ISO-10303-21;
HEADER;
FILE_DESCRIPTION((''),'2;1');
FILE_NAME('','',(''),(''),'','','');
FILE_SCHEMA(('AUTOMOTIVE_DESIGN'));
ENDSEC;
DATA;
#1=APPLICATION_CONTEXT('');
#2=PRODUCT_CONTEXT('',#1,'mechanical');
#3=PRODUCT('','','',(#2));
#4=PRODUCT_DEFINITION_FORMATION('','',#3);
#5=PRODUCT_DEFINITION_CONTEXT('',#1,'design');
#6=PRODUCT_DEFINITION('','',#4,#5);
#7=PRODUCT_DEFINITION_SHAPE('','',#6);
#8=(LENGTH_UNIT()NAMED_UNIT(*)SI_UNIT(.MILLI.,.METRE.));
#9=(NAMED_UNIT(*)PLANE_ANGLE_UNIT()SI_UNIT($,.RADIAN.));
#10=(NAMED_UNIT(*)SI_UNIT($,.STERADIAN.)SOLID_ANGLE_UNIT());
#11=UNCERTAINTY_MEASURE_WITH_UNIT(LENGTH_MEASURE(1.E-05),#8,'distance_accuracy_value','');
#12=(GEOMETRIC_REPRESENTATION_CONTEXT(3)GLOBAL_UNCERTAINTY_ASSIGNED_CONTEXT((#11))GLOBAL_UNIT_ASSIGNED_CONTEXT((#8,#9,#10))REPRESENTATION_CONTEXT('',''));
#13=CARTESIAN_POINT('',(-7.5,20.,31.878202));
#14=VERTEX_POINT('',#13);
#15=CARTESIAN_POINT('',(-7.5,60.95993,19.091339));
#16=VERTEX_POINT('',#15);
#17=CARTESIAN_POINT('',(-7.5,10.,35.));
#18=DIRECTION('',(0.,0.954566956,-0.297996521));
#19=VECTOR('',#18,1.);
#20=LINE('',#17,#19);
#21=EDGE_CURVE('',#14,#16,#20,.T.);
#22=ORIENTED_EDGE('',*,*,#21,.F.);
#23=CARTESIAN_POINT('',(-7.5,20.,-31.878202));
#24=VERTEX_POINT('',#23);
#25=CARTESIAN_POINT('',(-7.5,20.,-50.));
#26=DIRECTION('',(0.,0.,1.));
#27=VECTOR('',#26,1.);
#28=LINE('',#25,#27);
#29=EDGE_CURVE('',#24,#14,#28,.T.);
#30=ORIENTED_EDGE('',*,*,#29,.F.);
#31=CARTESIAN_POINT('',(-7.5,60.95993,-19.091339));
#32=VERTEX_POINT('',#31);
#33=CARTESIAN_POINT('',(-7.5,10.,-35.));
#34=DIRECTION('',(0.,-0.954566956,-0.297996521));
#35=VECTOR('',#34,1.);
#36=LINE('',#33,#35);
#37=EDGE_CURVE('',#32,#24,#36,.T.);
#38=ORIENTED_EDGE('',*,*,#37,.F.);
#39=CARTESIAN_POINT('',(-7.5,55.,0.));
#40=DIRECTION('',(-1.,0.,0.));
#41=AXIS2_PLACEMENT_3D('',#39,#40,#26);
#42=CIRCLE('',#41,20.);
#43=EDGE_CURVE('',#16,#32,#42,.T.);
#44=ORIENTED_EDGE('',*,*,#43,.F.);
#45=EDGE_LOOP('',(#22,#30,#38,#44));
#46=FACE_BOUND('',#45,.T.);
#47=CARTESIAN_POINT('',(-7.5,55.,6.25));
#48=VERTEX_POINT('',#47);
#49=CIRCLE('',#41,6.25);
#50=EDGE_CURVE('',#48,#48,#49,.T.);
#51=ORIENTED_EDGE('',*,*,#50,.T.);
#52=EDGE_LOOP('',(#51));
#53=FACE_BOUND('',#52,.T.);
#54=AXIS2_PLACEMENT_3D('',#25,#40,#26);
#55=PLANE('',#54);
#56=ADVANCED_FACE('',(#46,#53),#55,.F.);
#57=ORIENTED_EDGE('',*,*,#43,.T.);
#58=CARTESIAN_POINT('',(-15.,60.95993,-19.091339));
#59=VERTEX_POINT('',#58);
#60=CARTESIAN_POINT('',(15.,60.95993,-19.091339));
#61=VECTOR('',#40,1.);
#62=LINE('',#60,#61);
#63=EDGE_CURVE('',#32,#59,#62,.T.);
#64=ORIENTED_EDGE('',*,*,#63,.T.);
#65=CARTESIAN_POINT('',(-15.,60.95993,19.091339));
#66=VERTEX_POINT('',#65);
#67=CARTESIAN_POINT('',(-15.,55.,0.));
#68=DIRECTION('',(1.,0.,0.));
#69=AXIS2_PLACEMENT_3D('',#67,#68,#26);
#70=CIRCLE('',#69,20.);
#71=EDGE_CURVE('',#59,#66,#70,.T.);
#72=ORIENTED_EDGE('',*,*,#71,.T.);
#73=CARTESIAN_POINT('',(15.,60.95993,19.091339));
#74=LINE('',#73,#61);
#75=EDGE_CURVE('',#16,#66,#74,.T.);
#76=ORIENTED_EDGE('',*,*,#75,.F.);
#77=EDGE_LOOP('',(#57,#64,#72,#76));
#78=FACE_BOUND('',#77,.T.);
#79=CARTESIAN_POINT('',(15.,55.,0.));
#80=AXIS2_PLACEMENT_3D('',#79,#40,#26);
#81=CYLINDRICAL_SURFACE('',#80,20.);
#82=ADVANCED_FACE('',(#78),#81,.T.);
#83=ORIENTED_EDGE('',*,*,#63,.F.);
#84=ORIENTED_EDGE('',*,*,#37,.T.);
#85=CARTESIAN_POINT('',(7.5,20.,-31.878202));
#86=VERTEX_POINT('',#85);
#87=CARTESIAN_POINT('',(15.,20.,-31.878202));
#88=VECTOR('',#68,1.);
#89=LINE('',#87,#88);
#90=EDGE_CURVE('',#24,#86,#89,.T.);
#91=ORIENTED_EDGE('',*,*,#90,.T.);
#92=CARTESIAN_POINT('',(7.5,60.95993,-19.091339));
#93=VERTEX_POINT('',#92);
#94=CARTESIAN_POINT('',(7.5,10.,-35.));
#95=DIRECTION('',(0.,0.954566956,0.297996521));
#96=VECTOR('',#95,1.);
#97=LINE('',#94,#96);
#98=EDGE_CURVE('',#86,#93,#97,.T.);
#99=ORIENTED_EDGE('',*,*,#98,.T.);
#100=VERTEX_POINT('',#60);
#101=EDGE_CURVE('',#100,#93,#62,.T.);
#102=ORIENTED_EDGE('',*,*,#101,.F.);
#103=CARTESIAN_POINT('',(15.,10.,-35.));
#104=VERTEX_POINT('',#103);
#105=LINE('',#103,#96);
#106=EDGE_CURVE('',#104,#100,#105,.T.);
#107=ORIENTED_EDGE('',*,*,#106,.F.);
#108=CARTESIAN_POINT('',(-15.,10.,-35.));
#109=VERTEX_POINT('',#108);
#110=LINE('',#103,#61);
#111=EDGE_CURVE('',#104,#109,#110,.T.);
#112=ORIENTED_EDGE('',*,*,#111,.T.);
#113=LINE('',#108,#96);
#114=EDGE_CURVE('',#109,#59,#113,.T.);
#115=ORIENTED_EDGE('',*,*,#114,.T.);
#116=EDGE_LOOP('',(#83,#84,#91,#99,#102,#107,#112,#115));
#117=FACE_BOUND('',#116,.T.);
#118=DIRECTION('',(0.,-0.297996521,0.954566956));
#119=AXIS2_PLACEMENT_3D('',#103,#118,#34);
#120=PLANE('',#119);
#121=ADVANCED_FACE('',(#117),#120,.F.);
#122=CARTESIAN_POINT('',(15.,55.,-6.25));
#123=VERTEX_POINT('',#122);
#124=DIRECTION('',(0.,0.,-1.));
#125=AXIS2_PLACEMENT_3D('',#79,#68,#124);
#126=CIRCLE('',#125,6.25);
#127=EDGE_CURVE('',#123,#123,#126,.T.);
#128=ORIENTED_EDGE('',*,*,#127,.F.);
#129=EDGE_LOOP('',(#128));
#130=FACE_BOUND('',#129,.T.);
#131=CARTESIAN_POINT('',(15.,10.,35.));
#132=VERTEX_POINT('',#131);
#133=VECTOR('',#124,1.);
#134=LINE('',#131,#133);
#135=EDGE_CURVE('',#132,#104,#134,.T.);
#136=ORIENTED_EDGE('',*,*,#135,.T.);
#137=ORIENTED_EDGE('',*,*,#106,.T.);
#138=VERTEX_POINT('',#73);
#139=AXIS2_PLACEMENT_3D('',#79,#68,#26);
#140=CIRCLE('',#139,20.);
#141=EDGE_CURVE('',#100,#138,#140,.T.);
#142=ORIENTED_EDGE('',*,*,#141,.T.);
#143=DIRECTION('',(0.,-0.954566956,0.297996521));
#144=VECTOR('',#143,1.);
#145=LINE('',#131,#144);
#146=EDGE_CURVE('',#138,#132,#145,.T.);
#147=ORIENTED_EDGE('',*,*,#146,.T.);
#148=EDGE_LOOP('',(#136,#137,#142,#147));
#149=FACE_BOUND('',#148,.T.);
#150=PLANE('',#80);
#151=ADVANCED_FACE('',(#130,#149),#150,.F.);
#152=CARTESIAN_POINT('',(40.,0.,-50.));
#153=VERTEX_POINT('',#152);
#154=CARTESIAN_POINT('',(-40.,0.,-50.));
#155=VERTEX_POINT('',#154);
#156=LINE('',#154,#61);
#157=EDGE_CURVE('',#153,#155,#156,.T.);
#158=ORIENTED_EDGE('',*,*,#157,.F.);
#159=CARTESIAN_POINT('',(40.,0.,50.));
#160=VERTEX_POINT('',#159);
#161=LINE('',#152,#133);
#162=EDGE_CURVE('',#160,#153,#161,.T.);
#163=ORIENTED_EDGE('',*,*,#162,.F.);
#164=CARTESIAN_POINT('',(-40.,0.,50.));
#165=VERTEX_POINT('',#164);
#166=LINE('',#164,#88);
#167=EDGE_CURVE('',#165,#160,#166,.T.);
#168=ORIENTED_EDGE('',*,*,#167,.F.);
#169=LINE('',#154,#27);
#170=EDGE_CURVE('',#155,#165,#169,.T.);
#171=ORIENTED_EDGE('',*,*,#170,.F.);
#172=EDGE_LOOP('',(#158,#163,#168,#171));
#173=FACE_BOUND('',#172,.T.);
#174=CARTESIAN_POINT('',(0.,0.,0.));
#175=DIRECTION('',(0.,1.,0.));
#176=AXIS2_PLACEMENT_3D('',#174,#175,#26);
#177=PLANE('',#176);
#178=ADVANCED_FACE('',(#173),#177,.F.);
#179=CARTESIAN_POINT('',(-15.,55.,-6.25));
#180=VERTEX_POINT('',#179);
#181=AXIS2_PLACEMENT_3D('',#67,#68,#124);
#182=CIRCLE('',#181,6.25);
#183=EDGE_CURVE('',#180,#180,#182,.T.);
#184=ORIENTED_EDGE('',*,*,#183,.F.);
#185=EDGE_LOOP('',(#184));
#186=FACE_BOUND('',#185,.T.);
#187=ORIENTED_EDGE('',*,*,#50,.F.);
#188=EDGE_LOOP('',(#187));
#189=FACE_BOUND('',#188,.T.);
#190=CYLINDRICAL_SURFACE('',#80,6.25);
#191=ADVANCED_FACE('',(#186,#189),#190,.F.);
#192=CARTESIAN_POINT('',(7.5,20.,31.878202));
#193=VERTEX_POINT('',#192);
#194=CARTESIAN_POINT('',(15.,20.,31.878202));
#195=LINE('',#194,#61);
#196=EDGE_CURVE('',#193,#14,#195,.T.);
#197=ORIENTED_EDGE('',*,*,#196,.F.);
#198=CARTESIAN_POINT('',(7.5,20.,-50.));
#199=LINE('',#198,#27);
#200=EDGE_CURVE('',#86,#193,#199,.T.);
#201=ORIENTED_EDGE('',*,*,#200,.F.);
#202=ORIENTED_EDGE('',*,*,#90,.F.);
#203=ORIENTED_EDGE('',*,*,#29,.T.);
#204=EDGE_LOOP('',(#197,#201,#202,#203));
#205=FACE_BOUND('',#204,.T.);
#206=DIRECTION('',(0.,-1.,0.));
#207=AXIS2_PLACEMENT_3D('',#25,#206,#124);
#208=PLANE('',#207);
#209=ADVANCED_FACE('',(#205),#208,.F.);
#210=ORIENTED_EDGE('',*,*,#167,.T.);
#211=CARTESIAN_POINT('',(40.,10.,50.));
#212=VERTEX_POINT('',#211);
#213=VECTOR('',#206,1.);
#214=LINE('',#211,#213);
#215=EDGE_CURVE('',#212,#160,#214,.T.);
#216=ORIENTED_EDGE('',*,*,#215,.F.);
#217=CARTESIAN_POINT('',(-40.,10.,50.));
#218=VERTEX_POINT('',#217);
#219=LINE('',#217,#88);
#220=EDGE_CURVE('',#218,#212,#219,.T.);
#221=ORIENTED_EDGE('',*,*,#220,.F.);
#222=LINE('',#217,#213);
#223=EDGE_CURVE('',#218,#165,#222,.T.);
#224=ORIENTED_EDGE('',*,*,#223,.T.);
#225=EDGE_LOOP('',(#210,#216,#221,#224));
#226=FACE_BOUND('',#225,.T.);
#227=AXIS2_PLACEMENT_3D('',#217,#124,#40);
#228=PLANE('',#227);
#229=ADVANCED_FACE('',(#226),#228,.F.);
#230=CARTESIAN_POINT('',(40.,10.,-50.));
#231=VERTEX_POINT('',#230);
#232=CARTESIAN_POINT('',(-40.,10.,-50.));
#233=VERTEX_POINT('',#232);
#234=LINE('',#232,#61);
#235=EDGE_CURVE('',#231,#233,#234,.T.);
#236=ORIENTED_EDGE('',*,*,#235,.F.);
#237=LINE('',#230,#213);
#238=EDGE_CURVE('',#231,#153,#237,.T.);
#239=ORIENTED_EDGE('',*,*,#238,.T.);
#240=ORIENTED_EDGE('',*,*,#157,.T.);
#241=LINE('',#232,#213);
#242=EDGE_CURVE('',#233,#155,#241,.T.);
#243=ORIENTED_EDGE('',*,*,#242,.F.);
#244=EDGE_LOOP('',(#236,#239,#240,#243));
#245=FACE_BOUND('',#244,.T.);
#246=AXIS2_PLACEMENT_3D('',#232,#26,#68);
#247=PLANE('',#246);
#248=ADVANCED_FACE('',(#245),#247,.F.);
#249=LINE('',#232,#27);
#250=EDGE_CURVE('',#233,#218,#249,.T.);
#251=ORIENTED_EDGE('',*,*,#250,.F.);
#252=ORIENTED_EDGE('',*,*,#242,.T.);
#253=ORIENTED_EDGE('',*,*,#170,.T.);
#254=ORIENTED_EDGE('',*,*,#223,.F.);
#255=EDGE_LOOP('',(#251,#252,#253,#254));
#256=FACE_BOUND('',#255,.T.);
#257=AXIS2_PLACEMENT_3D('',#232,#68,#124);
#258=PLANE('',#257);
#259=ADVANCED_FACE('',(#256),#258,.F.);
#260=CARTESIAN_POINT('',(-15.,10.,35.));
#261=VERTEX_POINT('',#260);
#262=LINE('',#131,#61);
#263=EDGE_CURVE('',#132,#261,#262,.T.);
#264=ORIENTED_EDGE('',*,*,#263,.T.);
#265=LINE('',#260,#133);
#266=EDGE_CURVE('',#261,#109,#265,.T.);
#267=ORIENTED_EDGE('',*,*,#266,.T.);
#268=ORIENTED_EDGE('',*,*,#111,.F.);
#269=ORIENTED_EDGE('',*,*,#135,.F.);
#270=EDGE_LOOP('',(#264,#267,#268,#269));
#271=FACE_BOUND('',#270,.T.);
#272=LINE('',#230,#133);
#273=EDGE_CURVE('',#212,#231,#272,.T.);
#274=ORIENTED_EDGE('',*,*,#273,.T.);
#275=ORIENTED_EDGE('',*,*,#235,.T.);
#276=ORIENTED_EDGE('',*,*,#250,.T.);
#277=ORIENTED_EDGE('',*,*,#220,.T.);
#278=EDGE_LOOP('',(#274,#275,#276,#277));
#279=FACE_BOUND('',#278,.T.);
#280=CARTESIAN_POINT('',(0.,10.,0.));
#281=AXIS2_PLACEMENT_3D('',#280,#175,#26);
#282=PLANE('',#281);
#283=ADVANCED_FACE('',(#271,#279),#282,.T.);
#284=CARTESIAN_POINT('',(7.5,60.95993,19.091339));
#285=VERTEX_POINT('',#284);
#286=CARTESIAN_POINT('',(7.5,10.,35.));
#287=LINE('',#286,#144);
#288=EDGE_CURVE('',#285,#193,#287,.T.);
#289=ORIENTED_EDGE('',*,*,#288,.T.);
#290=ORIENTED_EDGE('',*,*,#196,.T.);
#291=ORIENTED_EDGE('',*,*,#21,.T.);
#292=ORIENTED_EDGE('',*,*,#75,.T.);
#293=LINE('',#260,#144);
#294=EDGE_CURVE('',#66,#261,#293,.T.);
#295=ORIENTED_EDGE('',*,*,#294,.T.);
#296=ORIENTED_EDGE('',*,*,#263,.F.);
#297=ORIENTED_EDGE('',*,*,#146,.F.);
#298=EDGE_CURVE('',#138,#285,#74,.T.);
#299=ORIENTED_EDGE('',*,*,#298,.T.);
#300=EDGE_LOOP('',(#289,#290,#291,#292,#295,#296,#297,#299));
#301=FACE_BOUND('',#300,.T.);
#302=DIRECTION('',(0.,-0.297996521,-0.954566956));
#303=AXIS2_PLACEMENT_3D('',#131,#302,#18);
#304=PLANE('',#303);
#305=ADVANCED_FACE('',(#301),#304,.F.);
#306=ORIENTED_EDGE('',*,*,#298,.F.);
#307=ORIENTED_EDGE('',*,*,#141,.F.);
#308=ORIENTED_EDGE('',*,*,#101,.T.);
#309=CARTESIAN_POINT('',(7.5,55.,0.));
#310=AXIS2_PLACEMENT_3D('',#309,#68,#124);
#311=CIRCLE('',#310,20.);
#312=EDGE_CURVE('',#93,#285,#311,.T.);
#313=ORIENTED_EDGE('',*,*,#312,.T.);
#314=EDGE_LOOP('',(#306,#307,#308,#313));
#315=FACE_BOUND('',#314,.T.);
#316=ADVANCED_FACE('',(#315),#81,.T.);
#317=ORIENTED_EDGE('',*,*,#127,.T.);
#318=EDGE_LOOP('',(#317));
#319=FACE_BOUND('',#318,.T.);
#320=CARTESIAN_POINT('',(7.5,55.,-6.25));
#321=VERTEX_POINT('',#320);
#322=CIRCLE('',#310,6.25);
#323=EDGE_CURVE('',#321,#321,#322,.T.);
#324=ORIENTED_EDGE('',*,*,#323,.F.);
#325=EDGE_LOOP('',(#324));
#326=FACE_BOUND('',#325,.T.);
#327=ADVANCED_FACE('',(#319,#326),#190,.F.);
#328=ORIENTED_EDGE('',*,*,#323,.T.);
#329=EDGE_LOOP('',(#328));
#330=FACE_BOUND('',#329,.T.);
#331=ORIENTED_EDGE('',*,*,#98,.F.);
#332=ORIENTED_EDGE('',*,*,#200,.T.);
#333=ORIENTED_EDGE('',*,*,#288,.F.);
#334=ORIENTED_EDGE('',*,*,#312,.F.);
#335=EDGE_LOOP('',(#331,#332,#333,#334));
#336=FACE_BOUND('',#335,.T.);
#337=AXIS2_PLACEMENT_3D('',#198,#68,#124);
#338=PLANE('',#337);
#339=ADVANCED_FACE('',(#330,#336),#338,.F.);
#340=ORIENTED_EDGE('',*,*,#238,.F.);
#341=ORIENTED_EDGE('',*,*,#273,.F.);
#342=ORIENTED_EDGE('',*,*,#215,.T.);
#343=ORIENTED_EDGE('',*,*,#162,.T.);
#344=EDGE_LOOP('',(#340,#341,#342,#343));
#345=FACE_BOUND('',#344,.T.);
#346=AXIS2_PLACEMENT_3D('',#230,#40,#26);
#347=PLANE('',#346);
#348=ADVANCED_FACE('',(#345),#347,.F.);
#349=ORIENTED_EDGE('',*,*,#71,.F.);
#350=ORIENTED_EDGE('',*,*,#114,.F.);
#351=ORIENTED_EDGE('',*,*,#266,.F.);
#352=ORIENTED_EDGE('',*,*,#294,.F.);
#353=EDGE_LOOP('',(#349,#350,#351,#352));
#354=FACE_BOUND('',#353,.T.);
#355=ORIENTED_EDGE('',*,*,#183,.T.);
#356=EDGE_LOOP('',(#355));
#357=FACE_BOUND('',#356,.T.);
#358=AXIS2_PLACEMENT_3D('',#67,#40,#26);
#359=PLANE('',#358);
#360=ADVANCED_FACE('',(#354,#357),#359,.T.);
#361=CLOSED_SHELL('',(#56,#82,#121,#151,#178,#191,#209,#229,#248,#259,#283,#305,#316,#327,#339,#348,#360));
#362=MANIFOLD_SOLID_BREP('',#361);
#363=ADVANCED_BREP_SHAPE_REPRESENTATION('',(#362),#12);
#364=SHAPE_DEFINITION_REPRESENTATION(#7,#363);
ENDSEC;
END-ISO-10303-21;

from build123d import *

# Parameters (mm, degrees)
SKETCH1_W               = 80
SKETCH1_H               = 100
BOSS_EXTRUDE1_DEPTH     = 10
SKETCH2_R               = 6.25
BOSS_EXTRUDE2_DEPTH     = 15
CUT_EXTRUDE1_DEPTH      = 99.615414617
CUT_EXTRUDE1_DEPTH_BACK = 99.615414617
SKETCH3_W               = 15
SKETCH3_H               = 55


with BuildPart() as part:
    # Sketch1 → Boss-Extrude1 (new body)
    with BuildSketch(Plane(origin=(0, 0, 0), x_dir=(1, 0, 0), z_dir=(0, 1, 0))):
        Rectangle(SKETCH1_W, SKETCH1_H)
    extrude(amount=BOSS_EXTRUDE1_DEPTH)

    # Sketch2 → Boss-Extrude2 (add, symmetric)
    with BuildSketch(Plane(origin=(0, 0, 0), x_dir=(0, 0, -1), z_dir=(1, 0, 0))):
        with BuildLine():
            Line((-35, 10), (-19.091339118, 60.959930425))
            ThreePointArc((-19.091339118, 60.959930425), (0, 75), (19.091339118, 60.959930425))
            Line((19.091339118, 60.959930425), (35, 10))
            Line((35, 10), (-35, 10))
        make_face()
        with Locations((0, 55)):
            Circle(SKETCH2_R, mode=Mode.SUBTRACT)
    extrude(amount=BOSS_EXTRUDE2_DEPTH, both=True)

    # Sketch3 → Cut-Extrude1 (cut, two sides: drawn at the far end of the back side and taken through both)
    with BuildSketch(Plane.XY.offset(-CUT_EXTRUDE1_DEPTH_BACK)):
        with Locations((0, 47.5)):
            Rectangle(SKETCH3_W, SKETCH3_H)
    extrude(amount=CUT_EXTRUDE1_DEPTH + CUT_EXTRUDE1_DEPTH_BACK, mode=Mode.SUBTRACT)


solid = part.part
